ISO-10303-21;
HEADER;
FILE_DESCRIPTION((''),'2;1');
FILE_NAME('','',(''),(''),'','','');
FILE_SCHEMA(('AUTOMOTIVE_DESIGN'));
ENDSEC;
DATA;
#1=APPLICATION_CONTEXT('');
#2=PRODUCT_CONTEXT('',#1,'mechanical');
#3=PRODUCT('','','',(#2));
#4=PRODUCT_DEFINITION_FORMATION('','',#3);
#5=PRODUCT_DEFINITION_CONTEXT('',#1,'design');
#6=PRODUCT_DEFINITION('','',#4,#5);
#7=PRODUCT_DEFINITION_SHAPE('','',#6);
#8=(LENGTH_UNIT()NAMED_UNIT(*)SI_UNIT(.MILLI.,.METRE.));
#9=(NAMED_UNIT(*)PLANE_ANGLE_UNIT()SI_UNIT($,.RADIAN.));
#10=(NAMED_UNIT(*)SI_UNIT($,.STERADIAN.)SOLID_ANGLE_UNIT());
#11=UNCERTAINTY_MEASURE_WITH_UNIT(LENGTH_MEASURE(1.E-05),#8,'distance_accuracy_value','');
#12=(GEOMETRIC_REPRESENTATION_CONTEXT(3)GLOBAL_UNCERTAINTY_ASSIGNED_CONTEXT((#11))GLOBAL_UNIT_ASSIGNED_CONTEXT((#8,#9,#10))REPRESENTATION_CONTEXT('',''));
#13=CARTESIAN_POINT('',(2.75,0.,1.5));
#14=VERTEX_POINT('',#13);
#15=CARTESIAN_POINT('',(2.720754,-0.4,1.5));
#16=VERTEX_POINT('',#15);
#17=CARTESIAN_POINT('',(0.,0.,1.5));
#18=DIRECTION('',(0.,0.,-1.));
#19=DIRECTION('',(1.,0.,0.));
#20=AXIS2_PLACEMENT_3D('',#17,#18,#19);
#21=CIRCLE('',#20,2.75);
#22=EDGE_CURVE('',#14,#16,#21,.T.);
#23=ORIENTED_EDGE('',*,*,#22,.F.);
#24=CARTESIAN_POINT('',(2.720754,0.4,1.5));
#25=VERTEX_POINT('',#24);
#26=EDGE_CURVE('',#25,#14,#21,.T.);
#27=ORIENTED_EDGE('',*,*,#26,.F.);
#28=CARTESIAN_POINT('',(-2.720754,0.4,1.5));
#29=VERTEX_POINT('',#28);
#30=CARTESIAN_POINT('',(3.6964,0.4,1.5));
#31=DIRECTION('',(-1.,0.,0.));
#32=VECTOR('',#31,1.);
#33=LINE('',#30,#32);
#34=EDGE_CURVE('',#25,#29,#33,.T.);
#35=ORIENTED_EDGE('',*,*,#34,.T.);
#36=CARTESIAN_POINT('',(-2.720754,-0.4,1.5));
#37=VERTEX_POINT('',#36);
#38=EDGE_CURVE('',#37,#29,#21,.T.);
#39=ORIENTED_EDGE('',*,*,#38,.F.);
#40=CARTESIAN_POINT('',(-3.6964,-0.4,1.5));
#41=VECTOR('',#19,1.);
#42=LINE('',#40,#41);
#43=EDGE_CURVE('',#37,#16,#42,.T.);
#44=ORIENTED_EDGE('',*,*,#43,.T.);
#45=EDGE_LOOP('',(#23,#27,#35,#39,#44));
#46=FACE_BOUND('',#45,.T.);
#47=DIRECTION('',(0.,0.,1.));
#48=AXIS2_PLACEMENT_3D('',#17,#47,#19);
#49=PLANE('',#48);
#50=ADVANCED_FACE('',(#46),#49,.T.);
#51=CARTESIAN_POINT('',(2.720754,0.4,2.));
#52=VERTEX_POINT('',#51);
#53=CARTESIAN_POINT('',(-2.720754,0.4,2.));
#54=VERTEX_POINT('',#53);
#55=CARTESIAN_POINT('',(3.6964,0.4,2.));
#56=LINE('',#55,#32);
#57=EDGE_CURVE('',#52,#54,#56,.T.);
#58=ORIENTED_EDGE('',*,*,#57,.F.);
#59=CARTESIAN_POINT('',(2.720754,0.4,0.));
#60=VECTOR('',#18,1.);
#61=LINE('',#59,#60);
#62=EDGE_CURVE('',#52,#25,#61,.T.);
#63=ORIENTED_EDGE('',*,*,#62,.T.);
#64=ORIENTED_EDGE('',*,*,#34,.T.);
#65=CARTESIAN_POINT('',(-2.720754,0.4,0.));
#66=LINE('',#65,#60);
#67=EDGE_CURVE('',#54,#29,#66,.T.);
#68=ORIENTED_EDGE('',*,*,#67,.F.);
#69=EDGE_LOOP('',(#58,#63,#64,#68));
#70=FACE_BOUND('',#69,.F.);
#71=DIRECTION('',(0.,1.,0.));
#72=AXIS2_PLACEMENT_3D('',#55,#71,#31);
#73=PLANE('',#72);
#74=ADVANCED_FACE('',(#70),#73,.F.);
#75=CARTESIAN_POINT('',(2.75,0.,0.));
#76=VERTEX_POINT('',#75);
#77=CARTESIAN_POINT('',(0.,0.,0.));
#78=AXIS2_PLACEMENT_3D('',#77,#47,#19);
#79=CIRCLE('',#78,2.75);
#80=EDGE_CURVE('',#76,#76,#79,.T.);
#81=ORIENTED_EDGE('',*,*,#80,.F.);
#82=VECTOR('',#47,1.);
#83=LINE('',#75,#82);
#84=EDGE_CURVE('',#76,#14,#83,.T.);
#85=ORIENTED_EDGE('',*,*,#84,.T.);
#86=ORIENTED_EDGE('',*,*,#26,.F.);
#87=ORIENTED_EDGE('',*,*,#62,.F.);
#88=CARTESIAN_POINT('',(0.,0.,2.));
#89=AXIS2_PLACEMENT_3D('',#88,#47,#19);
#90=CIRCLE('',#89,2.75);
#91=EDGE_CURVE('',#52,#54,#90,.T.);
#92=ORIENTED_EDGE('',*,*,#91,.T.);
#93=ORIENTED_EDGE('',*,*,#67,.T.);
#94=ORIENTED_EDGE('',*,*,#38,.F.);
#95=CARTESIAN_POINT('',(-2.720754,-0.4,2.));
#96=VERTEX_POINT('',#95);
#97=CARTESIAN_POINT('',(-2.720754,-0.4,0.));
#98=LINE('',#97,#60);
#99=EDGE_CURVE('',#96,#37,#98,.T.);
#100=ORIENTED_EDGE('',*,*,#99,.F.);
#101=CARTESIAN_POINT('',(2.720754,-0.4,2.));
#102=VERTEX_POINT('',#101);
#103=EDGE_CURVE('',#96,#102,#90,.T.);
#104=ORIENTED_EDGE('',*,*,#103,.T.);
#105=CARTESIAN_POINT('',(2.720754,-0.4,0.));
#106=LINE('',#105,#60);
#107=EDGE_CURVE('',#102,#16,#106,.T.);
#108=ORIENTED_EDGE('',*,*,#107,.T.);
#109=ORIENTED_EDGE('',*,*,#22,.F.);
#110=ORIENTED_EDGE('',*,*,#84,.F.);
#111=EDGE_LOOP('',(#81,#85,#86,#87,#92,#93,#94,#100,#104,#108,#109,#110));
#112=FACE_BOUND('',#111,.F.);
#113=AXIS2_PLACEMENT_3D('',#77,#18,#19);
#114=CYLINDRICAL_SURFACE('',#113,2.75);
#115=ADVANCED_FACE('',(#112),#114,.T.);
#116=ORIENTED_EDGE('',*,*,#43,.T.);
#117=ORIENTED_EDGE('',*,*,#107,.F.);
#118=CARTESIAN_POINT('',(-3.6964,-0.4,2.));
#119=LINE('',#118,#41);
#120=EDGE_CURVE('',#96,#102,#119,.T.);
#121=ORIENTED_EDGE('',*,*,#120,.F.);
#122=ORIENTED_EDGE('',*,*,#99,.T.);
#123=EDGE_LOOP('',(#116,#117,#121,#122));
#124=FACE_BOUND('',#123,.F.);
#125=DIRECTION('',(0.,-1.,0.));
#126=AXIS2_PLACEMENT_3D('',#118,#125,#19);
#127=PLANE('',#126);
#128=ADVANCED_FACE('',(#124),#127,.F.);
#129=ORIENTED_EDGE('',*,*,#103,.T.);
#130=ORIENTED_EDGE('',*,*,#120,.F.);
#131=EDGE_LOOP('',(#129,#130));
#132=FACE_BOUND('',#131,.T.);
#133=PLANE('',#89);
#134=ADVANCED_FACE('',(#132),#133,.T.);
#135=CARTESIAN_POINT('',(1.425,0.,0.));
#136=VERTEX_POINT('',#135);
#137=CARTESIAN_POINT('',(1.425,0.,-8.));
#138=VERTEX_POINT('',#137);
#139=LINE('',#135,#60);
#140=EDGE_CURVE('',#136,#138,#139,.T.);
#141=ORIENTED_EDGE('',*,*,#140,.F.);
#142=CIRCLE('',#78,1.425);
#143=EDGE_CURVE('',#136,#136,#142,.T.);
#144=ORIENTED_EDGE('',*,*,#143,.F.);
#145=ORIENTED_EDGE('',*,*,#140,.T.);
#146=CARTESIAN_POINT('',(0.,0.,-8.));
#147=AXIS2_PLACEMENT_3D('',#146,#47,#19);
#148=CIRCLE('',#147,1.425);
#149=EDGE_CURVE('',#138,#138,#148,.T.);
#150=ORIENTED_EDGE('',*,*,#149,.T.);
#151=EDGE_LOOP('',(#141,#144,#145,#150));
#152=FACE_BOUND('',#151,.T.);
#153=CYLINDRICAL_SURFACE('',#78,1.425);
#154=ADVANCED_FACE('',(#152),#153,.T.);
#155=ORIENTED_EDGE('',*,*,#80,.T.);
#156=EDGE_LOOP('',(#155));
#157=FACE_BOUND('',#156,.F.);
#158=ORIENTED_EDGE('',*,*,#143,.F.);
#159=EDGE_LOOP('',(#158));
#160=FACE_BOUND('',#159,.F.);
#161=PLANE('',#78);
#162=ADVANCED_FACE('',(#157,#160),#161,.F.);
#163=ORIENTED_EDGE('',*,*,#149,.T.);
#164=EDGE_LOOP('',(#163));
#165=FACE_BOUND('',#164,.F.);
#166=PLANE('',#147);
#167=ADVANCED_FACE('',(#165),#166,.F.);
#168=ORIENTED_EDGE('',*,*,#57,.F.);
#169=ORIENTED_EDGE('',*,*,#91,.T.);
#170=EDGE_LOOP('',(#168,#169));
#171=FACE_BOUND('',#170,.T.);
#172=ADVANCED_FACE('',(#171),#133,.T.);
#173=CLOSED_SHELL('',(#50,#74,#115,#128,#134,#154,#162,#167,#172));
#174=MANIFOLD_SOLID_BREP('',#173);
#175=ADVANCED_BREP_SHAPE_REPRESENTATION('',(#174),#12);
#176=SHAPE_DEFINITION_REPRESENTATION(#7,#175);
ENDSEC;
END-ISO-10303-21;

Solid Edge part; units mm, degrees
sketch "Sketch1" plane through (0, 0, 0) normal (0, 0, 1) x (1, 0, 0)
  circle A0 centre (0, 0) radius 1.425
extrude "Protrusion1" add sketch "Sketch1" against normal blind 8
sketch "Sketch2" plane through (0, 0, 0) normal (0, 0, 1) x (1, 0, 0)
  circle A0 centre (0, 0) radius 2.75
extrude "ExtrudedProtrusion_2" add sketch "Sketch2" along normal blind 2
sketch "Sketch3" plane through (0, 0, 2) normal (0, 0, 1) x (1, 0, 0)
  line L0 (3.6964, 0.4) -> (-3.6964, 0.4)
  line L1 (-3.6964, 0.4) -> (-3.6964, -0.4)
  line L2 (-3.6964, -0.4) -> (3.6964, -0.4)
  line L3 (3.6964, -0.4) -> (3.6964, 0.4)
extrude "ExtrudedCutout_1" cut sketch "Sketch3" against normal blind 0.5
properties material "Graphite"
